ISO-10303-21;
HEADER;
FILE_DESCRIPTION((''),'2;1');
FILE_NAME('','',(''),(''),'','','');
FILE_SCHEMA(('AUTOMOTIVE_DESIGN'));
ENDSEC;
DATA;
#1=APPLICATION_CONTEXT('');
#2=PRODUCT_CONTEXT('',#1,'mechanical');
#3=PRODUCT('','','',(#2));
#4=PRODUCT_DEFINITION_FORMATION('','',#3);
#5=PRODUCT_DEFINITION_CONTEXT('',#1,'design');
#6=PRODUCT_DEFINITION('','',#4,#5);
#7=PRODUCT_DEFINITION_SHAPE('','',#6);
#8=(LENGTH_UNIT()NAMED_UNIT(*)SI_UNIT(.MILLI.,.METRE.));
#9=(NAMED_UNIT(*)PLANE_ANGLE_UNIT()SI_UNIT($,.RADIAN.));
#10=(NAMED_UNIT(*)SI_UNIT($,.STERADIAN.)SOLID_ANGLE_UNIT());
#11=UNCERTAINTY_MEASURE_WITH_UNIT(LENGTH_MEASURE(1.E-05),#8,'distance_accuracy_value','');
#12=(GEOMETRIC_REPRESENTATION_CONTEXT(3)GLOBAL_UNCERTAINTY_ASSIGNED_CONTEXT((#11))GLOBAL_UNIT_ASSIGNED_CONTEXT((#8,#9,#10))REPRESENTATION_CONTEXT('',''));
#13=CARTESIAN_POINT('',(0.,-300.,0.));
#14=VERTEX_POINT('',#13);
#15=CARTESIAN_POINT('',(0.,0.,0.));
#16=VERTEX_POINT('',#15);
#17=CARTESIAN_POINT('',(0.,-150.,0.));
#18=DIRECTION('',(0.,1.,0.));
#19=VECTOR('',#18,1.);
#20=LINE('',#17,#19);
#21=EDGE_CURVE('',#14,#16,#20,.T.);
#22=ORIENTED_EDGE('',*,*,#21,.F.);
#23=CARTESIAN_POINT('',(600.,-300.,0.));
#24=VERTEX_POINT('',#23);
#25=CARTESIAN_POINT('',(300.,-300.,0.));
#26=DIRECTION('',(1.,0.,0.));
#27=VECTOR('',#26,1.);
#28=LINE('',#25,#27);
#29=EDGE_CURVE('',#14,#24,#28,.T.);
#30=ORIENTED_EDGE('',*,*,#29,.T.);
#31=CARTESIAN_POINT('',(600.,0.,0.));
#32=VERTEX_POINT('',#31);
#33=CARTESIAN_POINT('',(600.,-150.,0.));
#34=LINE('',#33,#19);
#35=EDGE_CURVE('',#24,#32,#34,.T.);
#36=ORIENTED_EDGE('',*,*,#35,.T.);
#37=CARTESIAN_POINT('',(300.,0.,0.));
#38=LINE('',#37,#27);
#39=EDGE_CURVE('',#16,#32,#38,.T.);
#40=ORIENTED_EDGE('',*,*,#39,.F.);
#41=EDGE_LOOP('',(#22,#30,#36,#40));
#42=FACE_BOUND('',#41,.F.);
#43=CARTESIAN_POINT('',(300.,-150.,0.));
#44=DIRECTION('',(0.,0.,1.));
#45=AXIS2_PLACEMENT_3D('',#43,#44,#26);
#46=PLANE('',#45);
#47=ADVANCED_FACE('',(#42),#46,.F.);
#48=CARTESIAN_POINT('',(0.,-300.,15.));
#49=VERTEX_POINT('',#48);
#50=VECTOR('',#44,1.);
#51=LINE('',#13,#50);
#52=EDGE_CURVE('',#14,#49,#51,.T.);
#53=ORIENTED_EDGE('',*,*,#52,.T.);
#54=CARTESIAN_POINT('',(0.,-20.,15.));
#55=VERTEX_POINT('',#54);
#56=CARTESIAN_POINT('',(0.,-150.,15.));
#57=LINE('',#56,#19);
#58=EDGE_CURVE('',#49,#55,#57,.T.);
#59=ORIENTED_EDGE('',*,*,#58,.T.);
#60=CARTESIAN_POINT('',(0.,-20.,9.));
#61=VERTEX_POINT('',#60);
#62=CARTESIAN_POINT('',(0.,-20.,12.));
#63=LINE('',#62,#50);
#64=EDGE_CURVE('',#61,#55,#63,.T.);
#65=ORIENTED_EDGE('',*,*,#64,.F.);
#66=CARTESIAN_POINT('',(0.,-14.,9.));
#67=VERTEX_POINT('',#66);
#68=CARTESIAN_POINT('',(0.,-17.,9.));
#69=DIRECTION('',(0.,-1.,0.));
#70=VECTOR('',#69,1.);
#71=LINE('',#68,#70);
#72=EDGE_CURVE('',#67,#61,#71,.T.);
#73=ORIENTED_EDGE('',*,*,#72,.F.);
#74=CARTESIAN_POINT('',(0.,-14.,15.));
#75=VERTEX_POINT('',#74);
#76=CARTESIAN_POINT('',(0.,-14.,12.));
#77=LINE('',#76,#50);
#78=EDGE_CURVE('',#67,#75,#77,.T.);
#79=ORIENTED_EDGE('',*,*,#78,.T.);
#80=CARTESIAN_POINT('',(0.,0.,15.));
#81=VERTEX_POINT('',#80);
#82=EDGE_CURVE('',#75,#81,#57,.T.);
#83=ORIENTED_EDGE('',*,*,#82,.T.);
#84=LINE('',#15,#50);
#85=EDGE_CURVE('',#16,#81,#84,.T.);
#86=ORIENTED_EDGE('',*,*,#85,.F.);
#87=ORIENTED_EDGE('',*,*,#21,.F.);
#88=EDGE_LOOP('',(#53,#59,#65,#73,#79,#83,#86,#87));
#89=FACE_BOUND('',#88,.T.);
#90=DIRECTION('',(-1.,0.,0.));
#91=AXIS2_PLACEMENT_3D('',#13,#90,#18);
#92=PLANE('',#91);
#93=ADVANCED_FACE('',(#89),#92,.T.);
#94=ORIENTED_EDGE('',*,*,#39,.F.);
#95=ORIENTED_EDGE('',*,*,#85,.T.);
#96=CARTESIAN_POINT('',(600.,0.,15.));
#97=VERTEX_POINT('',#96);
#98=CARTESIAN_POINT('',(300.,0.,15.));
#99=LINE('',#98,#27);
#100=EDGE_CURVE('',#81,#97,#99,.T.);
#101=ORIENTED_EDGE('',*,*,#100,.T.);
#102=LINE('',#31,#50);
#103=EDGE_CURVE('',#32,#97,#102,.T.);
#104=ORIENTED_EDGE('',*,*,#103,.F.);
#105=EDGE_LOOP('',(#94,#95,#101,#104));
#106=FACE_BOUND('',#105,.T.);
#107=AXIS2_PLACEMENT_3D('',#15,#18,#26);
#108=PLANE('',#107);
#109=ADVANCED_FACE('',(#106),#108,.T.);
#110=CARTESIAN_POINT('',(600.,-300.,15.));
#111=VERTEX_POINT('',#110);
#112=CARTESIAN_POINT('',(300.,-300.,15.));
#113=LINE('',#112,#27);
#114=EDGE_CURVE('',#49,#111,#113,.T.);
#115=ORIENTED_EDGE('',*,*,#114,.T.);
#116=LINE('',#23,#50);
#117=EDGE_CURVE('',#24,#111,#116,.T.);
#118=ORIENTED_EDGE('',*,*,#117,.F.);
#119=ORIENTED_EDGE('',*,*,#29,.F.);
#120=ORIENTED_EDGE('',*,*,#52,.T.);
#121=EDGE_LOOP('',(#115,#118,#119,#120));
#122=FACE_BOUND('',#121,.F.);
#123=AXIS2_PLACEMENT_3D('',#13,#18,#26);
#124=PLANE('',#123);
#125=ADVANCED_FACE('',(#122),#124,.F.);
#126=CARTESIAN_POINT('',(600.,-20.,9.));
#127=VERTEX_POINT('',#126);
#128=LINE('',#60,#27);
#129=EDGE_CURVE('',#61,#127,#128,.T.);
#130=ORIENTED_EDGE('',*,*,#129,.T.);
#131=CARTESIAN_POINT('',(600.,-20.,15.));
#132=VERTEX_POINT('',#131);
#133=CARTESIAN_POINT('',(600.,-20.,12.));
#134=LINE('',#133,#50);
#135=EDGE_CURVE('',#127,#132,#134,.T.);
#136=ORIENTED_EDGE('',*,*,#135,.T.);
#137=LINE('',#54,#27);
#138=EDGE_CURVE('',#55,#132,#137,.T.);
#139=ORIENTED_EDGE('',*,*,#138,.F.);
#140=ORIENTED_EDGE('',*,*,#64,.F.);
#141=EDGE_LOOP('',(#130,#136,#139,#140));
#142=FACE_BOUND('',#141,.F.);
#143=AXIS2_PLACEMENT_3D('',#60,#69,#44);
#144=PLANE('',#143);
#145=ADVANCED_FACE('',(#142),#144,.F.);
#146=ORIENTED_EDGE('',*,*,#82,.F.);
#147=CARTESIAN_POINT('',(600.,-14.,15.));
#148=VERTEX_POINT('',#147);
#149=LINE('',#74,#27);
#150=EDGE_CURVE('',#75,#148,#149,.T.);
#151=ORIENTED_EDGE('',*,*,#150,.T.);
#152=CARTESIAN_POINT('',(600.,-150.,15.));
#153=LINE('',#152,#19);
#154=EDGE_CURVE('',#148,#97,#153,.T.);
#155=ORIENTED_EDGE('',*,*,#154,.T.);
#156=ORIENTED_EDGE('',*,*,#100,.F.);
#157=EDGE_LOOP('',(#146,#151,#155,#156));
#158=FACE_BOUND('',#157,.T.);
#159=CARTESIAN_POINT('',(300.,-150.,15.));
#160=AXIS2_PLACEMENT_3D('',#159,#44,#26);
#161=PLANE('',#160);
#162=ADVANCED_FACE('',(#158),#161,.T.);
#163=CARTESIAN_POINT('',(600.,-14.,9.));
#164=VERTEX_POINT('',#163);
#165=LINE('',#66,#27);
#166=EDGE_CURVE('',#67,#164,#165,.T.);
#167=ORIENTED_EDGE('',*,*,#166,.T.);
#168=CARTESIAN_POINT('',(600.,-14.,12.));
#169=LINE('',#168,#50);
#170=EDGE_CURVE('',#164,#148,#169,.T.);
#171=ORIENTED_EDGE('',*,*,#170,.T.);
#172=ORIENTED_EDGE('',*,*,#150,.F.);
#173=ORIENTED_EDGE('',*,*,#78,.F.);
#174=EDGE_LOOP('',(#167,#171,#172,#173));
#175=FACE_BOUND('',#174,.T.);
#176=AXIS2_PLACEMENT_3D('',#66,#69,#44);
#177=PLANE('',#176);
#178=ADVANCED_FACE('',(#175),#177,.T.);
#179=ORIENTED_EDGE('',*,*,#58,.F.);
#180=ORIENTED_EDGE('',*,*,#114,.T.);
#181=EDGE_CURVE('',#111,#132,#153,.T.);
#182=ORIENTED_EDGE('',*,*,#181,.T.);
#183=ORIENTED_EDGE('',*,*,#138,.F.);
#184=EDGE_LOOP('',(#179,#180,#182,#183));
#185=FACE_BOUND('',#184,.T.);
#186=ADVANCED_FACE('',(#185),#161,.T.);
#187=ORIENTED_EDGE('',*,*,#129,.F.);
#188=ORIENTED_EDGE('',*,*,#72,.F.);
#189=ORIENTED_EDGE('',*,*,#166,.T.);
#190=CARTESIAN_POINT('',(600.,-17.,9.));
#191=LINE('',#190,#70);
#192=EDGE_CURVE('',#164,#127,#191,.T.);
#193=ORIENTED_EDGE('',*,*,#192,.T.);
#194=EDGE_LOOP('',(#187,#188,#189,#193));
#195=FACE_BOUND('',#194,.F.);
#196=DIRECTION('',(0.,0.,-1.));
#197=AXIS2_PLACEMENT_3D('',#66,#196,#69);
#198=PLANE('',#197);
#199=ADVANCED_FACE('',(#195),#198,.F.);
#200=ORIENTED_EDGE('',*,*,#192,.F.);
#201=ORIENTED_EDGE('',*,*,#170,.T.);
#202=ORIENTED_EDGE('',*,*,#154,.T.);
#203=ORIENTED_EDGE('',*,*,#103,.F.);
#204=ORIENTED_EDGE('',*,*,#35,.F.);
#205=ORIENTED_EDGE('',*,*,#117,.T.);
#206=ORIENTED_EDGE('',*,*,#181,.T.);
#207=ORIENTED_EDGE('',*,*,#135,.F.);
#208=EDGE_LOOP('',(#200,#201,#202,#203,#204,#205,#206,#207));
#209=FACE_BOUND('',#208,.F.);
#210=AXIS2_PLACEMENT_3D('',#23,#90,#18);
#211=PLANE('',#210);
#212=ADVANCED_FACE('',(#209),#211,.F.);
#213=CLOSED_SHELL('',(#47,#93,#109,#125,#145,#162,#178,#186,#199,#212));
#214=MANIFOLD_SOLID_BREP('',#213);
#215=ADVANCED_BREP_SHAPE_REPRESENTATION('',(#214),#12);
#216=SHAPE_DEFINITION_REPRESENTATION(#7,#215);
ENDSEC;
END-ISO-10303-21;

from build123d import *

# Parameters (mm, degrees)
F0_W     = 600
F0_H     = 300
F1_DEPTH = 15
F2_W     = 6
F2_H     = 6
F3_DEPTH = 600


with BuildPart() as f1:
    # F0 (on Top) → F1 (new body)
    with BuildSketch(Plane.XY):
        with Locations((300, -150)):
            Rectangle(F0_W, F0_H)
    extrude(amount=F1_DEPTH)

    # F2 (on face) → F3 (cut)
    with BuildSketch(Plane(origin=(0, 0, 0), x_dir=(0, -1, 0), z_dir=(-1, 0, 0))):
        with Locations((17, 12)):
            Rectangle(F2_W, F2_H)
    extrude(amount=-F3_DEPTH, mode=Mode.SUBTRACT)


solid = f1.part
